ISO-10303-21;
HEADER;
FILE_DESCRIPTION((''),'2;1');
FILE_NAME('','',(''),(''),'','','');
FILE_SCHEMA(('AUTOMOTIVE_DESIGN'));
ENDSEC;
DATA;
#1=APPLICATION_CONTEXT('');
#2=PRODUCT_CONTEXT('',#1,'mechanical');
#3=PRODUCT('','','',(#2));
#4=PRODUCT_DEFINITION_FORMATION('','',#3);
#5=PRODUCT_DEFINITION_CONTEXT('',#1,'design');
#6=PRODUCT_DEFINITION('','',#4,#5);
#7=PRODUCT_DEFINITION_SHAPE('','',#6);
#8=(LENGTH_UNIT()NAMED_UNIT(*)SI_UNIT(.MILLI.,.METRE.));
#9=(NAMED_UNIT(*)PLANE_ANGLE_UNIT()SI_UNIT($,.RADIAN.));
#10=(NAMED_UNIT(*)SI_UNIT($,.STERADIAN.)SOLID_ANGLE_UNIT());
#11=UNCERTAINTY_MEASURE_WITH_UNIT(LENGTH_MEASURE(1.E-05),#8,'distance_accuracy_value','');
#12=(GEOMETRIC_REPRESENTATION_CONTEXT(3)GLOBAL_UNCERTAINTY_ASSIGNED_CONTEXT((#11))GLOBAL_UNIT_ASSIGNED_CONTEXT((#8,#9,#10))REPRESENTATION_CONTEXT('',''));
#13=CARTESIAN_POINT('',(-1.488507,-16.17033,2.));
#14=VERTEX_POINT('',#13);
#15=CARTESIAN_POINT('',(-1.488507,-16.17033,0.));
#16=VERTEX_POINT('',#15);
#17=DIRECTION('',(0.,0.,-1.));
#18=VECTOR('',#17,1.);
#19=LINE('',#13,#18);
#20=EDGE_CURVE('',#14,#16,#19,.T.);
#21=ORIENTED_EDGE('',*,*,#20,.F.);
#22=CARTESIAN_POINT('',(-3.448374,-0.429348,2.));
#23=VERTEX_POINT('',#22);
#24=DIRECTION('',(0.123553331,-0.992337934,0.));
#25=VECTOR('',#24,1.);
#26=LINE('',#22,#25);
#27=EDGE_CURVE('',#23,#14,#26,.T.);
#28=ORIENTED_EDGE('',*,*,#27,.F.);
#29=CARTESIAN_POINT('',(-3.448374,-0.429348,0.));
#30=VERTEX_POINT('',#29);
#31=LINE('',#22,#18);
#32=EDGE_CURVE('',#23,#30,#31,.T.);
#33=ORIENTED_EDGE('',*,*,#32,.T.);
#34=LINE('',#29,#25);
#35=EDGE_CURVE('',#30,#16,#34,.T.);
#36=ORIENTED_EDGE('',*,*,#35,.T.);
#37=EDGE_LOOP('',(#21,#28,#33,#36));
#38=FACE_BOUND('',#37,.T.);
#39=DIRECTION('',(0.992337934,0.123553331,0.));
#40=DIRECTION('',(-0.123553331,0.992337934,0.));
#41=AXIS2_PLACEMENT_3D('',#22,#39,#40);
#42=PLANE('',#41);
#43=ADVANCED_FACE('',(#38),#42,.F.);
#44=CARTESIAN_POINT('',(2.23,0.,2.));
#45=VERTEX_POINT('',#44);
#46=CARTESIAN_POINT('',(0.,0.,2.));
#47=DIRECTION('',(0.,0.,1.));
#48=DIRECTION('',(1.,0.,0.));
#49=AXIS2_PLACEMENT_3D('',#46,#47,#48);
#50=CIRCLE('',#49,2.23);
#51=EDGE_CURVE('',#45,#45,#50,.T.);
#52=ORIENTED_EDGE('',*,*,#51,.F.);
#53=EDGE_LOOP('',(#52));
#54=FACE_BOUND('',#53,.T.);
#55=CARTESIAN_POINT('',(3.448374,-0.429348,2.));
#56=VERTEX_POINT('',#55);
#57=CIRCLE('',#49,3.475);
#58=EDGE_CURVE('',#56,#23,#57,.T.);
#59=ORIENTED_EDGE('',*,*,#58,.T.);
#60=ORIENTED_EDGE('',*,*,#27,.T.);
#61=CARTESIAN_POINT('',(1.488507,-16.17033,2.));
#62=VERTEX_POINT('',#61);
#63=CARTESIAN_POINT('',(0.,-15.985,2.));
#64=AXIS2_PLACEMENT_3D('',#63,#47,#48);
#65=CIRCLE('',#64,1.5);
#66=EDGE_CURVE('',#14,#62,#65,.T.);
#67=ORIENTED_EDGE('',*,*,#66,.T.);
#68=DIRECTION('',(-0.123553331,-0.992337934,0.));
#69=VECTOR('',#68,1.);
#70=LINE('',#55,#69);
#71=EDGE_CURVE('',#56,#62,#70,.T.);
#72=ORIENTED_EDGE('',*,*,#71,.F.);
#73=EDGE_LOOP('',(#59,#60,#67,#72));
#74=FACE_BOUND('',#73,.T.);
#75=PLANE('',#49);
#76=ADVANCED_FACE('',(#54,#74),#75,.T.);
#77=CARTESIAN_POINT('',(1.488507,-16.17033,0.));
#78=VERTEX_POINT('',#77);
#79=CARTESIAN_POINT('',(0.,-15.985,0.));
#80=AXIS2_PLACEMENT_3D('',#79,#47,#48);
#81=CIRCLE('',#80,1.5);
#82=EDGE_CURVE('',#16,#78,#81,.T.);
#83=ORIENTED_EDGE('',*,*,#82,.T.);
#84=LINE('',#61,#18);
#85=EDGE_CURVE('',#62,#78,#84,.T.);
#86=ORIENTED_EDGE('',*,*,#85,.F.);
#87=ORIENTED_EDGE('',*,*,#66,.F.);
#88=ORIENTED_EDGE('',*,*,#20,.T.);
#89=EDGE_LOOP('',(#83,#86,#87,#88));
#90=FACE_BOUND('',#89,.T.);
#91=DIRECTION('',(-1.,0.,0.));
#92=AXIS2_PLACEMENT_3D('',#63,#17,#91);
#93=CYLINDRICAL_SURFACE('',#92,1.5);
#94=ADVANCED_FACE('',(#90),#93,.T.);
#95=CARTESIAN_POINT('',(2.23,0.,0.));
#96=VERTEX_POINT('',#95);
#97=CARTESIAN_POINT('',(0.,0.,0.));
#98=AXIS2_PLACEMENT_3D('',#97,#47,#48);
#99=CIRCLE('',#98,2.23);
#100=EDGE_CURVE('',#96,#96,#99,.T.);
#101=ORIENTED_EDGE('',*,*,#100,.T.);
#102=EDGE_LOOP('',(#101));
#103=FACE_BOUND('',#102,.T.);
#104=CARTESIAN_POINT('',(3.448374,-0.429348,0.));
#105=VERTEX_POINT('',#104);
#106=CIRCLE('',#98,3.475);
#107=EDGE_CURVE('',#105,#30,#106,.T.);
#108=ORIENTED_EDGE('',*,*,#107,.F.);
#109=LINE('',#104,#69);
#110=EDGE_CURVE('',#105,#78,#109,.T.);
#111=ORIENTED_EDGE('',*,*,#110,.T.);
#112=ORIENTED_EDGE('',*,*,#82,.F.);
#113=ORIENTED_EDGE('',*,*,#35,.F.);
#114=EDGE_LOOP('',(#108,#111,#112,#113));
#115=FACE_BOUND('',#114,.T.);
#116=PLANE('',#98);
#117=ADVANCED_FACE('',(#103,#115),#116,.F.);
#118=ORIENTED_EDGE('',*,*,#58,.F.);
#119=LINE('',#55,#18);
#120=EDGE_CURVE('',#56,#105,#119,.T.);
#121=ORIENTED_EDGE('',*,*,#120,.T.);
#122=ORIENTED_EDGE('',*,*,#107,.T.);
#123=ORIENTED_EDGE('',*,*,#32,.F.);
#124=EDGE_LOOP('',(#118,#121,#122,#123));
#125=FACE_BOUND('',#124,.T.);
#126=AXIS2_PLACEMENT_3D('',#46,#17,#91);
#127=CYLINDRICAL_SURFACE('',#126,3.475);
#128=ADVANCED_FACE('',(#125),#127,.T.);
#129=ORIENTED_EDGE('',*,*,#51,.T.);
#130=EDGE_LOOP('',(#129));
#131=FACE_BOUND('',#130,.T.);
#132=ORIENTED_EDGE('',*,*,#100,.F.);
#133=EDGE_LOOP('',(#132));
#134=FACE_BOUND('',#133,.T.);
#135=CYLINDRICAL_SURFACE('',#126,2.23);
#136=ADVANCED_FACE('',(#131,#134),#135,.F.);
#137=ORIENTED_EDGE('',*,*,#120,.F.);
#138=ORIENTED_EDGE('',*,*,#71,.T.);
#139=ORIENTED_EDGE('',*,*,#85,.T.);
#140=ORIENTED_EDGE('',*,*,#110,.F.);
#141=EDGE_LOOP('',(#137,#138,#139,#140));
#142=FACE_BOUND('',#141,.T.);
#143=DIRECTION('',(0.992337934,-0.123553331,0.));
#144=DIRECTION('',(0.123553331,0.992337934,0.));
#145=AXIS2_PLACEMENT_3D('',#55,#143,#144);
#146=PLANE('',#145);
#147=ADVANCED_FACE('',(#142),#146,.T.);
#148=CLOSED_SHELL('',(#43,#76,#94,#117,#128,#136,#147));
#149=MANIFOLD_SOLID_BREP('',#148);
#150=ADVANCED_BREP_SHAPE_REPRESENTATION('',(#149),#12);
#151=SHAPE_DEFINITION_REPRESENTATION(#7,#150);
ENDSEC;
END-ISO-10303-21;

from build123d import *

# Parameters (mm, degrees)
SKETCH_1_R      = 2.23
EXTRUDE_1_DEPTH = 2


with BuildPart() as part:
    # 草图1 → 凸台-拉伸1 (new body)
    with BuildSketch(Plane.XY):
        with BuildLine():
            Line((-3.448374319, -0.429347826), (-1.4885069, -16.170329997))
            ThreePointArc((-1.4885069, -16.170329997), (0, -17.485), (1.4885069, -16.170329997))
            Line((1.4885069, -16.170329997), (3.448374319, -0.429347826))
            ThreePointArc((3.448374319, -0.429347826), (0, 3.475), (-3.448374319, -0.429347826))
        make_face()
        Circle(SKETCH_1_R, mode=Mode.SUBTRACT)
    extrude(amount=EXTRUDE_1_DEPTH)


solid = part.part
